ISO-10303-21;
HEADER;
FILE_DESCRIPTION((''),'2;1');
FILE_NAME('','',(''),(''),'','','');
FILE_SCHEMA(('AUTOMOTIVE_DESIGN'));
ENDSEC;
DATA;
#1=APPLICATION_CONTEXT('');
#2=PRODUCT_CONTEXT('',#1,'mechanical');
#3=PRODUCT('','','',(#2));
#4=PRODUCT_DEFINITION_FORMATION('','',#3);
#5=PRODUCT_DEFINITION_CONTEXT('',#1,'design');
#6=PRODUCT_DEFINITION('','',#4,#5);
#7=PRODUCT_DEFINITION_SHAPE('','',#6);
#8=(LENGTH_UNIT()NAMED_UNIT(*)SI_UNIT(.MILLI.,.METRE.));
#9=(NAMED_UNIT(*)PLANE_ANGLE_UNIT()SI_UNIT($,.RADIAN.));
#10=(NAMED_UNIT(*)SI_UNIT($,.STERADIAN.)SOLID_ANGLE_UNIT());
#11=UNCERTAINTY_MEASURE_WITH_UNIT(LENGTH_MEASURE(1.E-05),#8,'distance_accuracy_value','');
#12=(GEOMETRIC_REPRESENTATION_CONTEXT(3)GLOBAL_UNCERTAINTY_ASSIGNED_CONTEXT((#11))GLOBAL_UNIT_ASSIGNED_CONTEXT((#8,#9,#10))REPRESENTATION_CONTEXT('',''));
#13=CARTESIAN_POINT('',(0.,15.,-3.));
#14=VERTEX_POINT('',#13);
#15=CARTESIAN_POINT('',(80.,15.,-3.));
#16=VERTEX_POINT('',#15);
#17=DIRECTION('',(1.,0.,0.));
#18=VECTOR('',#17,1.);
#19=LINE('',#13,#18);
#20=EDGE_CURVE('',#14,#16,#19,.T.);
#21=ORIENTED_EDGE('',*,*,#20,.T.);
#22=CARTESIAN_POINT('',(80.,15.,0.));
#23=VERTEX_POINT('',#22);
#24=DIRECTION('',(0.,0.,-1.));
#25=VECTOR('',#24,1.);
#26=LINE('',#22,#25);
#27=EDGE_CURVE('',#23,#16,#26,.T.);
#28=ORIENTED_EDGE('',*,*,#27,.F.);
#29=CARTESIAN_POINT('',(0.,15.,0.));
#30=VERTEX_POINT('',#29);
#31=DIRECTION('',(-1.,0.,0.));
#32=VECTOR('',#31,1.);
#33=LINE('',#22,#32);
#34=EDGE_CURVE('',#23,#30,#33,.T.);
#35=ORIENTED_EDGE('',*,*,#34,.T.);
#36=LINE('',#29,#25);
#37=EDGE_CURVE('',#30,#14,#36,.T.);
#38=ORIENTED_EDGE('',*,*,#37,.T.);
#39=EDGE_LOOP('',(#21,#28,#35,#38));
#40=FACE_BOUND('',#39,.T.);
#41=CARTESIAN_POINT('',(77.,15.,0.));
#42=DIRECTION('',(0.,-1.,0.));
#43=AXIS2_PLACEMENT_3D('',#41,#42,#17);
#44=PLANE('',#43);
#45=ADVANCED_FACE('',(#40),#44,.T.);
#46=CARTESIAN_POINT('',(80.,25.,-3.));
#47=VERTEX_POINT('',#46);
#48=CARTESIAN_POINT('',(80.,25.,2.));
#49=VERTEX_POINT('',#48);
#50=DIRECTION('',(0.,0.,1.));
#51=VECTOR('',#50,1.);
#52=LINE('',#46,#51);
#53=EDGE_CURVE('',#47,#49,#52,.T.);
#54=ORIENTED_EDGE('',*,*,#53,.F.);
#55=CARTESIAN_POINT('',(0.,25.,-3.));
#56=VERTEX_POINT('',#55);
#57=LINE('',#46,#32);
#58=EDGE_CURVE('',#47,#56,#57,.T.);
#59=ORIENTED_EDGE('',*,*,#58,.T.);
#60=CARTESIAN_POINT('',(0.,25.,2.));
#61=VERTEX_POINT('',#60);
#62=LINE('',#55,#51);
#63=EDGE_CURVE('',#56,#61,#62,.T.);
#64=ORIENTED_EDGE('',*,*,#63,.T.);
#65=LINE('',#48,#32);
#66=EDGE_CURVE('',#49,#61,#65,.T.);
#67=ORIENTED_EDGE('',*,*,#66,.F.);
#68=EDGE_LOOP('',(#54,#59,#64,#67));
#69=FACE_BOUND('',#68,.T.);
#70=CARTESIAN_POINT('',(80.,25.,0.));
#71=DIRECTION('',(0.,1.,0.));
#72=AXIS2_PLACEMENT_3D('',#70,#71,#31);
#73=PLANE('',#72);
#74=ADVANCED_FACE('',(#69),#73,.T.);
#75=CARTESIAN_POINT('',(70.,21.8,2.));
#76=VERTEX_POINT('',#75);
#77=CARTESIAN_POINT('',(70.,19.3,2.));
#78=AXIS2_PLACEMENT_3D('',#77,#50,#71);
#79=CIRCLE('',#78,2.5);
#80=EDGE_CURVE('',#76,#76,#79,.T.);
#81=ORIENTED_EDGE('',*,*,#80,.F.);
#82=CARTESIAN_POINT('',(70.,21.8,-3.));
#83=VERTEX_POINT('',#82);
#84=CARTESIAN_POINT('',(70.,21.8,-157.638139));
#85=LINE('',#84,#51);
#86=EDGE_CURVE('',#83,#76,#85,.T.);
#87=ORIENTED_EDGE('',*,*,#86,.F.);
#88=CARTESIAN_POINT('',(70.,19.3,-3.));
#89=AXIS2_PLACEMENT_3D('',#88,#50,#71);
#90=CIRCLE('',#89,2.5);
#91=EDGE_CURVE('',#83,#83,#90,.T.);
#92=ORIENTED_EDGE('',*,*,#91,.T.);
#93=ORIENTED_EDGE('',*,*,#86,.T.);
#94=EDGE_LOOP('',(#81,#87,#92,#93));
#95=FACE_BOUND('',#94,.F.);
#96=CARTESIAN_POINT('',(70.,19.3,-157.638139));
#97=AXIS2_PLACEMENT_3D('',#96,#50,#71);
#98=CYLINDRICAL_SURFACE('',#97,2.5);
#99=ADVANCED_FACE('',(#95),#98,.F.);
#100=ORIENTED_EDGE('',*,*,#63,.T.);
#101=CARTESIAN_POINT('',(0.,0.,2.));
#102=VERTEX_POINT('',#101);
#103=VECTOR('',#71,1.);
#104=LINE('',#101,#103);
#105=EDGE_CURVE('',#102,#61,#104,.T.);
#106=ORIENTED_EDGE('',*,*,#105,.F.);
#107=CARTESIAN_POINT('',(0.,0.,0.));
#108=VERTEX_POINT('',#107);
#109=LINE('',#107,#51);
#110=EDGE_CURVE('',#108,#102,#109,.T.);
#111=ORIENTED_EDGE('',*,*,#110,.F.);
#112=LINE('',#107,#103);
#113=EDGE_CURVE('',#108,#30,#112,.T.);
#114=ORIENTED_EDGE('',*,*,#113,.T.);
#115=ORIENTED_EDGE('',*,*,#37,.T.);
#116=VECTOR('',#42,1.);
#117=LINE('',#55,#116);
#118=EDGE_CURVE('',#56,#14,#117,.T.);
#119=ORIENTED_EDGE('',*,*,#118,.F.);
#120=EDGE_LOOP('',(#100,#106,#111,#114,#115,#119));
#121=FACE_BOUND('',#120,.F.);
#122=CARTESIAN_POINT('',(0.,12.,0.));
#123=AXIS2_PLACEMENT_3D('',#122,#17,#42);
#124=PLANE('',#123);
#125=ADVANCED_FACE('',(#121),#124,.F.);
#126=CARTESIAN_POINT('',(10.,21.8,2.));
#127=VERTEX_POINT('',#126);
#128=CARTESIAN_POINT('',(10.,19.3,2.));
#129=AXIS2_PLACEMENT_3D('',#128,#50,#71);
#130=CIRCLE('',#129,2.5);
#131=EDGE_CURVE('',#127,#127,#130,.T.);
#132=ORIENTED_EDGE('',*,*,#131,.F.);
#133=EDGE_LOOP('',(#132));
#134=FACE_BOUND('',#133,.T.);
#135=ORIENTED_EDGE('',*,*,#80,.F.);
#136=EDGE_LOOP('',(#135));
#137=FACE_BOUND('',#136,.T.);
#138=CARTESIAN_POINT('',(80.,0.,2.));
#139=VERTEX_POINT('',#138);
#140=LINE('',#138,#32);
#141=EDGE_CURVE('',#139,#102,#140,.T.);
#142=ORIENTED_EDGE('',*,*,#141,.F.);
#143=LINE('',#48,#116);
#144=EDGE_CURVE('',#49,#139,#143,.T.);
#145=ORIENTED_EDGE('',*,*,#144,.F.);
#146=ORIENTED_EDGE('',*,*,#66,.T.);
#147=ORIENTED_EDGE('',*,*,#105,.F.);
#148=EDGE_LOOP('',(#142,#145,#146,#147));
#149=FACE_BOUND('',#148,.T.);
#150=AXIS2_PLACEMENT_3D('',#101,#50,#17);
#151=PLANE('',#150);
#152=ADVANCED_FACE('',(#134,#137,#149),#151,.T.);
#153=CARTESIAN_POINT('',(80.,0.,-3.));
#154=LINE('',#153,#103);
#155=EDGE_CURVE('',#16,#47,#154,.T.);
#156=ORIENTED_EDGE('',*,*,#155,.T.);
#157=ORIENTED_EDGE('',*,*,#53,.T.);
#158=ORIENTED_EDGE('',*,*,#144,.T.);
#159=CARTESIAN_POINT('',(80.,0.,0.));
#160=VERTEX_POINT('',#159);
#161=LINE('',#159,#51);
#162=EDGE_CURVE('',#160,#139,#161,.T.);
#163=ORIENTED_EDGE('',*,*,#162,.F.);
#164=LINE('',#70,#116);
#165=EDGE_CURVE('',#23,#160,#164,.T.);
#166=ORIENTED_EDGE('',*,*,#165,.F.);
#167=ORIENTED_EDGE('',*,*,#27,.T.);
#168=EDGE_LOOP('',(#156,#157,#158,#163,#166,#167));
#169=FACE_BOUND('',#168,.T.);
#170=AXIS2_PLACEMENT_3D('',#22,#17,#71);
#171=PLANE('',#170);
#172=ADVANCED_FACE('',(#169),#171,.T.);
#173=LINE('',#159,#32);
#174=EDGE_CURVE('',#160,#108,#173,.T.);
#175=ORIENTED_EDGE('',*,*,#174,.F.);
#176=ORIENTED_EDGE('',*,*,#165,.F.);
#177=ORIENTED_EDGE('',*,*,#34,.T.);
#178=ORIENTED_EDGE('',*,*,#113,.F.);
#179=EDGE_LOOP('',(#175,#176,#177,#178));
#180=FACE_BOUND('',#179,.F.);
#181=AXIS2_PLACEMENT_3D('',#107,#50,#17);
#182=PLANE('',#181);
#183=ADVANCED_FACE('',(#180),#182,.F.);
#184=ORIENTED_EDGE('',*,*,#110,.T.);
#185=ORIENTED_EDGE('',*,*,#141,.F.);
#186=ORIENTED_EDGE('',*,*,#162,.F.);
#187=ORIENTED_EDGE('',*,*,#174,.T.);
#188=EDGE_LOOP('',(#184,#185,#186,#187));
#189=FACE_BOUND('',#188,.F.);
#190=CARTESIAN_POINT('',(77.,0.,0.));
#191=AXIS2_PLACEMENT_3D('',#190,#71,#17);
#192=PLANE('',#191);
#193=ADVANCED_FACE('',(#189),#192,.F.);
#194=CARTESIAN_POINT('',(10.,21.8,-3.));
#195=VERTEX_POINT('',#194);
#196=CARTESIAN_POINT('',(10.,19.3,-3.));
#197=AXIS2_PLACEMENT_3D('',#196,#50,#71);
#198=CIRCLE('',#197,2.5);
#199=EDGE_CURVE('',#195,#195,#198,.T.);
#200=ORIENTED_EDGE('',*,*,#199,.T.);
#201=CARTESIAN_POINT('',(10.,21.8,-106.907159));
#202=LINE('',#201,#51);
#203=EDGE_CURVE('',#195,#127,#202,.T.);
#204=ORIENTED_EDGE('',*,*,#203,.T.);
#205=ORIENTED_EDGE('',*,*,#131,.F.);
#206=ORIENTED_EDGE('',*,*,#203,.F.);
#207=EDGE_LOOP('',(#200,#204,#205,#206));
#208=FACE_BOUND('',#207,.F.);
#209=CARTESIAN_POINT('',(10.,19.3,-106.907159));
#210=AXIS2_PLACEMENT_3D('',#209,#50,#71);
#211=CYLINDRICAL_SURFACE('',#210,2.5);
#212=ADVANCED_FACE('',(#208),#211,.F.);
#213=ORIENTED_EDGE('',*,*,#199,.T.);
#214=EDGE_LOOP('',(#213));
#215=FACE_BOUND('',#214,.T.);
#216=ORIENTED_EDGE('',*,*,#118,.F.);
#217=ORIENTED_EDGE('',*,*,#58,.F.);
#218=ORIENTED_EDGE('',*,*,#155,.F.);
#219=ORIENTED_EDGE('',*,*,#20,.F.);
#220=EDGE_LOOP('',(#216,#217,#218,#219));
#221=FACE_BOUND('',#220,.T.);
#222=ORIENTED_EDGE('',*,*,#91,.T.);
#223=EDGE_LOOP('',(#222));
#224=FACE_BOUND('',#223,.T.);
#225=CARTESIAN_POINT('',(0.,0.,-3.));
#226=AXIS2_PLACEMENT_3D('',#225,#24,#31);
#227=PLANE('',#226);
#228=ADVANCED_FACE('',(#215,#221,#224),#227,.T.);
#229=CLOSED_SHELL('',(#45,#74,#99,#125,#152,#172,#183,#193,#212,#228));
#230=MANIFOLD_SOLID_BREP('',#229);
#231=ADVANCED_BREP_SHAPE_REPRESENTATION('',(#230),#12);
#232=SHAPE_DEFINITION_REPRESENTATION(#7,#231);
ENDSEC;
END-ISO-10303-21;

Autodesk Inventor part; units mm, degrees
ref_plane "YZ Plane" through (0, 0, 0) normal (1, 0, 0) x (0, 1, 0)
ref_plane "XZ Plane" through (0, 0, 0) normal (0, 1, 0) x (-1, 0, 0)
ref_plane "XY Plane" through (0, 0, 0) normal (0, 0, 1) x (1, 0, 0)
ref_plane "Plano de trabajo1" through (0, 0, 0) normal (0, 0, 1) x (1, 0, 0)
sketch "Boceto1" plane through (0, 0, 0) normal (0, 0, 1) x (1, 0, 0)
  circle A0 centre (70, 9.3) radius 2.5 projected
  circle A1 centre (10, 9.3) radius 2.5 projected
  arc A2 (80, 12) -> (77, 15) centre (77, 12) ccw projected
  line L0 (3, 15) -> (77, 15) projected
  arc A3 (3, 15) -> (0, 12) centre (3, 12) ccw projected
  line L1 (0, 12) -> (0, -2) projected
  line L2 (0, -2) -> (0.1716, -2) projected
  arc A4 (3, 0) -> (0.1716, -2) centre (3, -3) ccw projected
  line L3 (77, 0) -> (3, 0) projected
  arc A5 (79.8284, -2) -> (77, 0) centre (77, -3) ccw projected
  line L4 (79.8284, -2) -> (80, -2) projected
  line L5 (80, -2) -> (80, 12) projected
  line L6 (0, 0) -> (80, 0)
  line L7 (80, 0) -> (80, 25)
  line L8 (80, 25) -> (0, 25)
  line L9 (0, 25) -> (0, 0)
  point P0 (0, 12)
  dimension "d0" = 25
extrude "Extrusión1" add sketch "Boceto1" along normal blind 2 contours A0 | A1 | L5 L6 L3 L1 A3 L0 A2 | A2 L0 A3 L9 L8 L7
sketch "Boceto2" plane through (0, 0, 0) normal (0, 0, -1) x (-1, 0, 0)
  circle A0 centre (-10, 9.3) radius 2.5 projected
  circle A1 centre (-70, 9.3) radius 2.5 projected
  line L0 (-10, 9.3) -> (-10, 19.3)
  line L1 (-70, 9.3) -> (-70, 19.3)
  point P0 (0, 0)
  dimension "d3" = 10
  dimension "d4" = 10
sketch "Boceto3" plane through (0, 0, 0) normal (0, 0, -1) x (-1, 0, 0)
  arc A0 (-77, 15) -> (-80, 12) centre (-77, 12) ccw projected
  line L0 (-80, -2) -> (-80, 12) projected
  line L1 (-80, -2) -> (0, -2) projected
  line L2 (0, -2) -> (0, 12) projected
  arc A1 (0, 12) -> (-3, 15) centre (-3, 12) ccw projected
  line L3 (-77, 15) -> (-3, 15) projected
  circle A2 centre (-70, 9.3) radius 2.5 projected
  circle A3 centre (-10, 9.3) radius 2.5 projected
  line L4 (-80, 25) -> (0, 25) projected
  line L5 (-80, 0) -> (-80, 25) projected
  line L6 (0, 0) -> (-80, 0) projected
  line L7 (0, 25) -> (0, 0) projected
  line L8 (-80, 25) -> (0, 25)
  line L9 (0, 25) -> (0, 15)
  line L10 (0, 15) -> (-80, 15)
  line L11 (-80, 15) -> (-80, 25)
  point P0 (-77, 15)
  point P1 (-3, 15)
  dimension "d14" = 10
extrude "Extrusión2" add sketch "Boceto3" along normal blind 3 contours L10 L5 L4 L7 L3
hole "Agujero1" at (70, 19.3, 0) at (10, 19.3, 0) direction (0, 0, 1) diameter 5 end through all both
properties part number "Adaptador"
